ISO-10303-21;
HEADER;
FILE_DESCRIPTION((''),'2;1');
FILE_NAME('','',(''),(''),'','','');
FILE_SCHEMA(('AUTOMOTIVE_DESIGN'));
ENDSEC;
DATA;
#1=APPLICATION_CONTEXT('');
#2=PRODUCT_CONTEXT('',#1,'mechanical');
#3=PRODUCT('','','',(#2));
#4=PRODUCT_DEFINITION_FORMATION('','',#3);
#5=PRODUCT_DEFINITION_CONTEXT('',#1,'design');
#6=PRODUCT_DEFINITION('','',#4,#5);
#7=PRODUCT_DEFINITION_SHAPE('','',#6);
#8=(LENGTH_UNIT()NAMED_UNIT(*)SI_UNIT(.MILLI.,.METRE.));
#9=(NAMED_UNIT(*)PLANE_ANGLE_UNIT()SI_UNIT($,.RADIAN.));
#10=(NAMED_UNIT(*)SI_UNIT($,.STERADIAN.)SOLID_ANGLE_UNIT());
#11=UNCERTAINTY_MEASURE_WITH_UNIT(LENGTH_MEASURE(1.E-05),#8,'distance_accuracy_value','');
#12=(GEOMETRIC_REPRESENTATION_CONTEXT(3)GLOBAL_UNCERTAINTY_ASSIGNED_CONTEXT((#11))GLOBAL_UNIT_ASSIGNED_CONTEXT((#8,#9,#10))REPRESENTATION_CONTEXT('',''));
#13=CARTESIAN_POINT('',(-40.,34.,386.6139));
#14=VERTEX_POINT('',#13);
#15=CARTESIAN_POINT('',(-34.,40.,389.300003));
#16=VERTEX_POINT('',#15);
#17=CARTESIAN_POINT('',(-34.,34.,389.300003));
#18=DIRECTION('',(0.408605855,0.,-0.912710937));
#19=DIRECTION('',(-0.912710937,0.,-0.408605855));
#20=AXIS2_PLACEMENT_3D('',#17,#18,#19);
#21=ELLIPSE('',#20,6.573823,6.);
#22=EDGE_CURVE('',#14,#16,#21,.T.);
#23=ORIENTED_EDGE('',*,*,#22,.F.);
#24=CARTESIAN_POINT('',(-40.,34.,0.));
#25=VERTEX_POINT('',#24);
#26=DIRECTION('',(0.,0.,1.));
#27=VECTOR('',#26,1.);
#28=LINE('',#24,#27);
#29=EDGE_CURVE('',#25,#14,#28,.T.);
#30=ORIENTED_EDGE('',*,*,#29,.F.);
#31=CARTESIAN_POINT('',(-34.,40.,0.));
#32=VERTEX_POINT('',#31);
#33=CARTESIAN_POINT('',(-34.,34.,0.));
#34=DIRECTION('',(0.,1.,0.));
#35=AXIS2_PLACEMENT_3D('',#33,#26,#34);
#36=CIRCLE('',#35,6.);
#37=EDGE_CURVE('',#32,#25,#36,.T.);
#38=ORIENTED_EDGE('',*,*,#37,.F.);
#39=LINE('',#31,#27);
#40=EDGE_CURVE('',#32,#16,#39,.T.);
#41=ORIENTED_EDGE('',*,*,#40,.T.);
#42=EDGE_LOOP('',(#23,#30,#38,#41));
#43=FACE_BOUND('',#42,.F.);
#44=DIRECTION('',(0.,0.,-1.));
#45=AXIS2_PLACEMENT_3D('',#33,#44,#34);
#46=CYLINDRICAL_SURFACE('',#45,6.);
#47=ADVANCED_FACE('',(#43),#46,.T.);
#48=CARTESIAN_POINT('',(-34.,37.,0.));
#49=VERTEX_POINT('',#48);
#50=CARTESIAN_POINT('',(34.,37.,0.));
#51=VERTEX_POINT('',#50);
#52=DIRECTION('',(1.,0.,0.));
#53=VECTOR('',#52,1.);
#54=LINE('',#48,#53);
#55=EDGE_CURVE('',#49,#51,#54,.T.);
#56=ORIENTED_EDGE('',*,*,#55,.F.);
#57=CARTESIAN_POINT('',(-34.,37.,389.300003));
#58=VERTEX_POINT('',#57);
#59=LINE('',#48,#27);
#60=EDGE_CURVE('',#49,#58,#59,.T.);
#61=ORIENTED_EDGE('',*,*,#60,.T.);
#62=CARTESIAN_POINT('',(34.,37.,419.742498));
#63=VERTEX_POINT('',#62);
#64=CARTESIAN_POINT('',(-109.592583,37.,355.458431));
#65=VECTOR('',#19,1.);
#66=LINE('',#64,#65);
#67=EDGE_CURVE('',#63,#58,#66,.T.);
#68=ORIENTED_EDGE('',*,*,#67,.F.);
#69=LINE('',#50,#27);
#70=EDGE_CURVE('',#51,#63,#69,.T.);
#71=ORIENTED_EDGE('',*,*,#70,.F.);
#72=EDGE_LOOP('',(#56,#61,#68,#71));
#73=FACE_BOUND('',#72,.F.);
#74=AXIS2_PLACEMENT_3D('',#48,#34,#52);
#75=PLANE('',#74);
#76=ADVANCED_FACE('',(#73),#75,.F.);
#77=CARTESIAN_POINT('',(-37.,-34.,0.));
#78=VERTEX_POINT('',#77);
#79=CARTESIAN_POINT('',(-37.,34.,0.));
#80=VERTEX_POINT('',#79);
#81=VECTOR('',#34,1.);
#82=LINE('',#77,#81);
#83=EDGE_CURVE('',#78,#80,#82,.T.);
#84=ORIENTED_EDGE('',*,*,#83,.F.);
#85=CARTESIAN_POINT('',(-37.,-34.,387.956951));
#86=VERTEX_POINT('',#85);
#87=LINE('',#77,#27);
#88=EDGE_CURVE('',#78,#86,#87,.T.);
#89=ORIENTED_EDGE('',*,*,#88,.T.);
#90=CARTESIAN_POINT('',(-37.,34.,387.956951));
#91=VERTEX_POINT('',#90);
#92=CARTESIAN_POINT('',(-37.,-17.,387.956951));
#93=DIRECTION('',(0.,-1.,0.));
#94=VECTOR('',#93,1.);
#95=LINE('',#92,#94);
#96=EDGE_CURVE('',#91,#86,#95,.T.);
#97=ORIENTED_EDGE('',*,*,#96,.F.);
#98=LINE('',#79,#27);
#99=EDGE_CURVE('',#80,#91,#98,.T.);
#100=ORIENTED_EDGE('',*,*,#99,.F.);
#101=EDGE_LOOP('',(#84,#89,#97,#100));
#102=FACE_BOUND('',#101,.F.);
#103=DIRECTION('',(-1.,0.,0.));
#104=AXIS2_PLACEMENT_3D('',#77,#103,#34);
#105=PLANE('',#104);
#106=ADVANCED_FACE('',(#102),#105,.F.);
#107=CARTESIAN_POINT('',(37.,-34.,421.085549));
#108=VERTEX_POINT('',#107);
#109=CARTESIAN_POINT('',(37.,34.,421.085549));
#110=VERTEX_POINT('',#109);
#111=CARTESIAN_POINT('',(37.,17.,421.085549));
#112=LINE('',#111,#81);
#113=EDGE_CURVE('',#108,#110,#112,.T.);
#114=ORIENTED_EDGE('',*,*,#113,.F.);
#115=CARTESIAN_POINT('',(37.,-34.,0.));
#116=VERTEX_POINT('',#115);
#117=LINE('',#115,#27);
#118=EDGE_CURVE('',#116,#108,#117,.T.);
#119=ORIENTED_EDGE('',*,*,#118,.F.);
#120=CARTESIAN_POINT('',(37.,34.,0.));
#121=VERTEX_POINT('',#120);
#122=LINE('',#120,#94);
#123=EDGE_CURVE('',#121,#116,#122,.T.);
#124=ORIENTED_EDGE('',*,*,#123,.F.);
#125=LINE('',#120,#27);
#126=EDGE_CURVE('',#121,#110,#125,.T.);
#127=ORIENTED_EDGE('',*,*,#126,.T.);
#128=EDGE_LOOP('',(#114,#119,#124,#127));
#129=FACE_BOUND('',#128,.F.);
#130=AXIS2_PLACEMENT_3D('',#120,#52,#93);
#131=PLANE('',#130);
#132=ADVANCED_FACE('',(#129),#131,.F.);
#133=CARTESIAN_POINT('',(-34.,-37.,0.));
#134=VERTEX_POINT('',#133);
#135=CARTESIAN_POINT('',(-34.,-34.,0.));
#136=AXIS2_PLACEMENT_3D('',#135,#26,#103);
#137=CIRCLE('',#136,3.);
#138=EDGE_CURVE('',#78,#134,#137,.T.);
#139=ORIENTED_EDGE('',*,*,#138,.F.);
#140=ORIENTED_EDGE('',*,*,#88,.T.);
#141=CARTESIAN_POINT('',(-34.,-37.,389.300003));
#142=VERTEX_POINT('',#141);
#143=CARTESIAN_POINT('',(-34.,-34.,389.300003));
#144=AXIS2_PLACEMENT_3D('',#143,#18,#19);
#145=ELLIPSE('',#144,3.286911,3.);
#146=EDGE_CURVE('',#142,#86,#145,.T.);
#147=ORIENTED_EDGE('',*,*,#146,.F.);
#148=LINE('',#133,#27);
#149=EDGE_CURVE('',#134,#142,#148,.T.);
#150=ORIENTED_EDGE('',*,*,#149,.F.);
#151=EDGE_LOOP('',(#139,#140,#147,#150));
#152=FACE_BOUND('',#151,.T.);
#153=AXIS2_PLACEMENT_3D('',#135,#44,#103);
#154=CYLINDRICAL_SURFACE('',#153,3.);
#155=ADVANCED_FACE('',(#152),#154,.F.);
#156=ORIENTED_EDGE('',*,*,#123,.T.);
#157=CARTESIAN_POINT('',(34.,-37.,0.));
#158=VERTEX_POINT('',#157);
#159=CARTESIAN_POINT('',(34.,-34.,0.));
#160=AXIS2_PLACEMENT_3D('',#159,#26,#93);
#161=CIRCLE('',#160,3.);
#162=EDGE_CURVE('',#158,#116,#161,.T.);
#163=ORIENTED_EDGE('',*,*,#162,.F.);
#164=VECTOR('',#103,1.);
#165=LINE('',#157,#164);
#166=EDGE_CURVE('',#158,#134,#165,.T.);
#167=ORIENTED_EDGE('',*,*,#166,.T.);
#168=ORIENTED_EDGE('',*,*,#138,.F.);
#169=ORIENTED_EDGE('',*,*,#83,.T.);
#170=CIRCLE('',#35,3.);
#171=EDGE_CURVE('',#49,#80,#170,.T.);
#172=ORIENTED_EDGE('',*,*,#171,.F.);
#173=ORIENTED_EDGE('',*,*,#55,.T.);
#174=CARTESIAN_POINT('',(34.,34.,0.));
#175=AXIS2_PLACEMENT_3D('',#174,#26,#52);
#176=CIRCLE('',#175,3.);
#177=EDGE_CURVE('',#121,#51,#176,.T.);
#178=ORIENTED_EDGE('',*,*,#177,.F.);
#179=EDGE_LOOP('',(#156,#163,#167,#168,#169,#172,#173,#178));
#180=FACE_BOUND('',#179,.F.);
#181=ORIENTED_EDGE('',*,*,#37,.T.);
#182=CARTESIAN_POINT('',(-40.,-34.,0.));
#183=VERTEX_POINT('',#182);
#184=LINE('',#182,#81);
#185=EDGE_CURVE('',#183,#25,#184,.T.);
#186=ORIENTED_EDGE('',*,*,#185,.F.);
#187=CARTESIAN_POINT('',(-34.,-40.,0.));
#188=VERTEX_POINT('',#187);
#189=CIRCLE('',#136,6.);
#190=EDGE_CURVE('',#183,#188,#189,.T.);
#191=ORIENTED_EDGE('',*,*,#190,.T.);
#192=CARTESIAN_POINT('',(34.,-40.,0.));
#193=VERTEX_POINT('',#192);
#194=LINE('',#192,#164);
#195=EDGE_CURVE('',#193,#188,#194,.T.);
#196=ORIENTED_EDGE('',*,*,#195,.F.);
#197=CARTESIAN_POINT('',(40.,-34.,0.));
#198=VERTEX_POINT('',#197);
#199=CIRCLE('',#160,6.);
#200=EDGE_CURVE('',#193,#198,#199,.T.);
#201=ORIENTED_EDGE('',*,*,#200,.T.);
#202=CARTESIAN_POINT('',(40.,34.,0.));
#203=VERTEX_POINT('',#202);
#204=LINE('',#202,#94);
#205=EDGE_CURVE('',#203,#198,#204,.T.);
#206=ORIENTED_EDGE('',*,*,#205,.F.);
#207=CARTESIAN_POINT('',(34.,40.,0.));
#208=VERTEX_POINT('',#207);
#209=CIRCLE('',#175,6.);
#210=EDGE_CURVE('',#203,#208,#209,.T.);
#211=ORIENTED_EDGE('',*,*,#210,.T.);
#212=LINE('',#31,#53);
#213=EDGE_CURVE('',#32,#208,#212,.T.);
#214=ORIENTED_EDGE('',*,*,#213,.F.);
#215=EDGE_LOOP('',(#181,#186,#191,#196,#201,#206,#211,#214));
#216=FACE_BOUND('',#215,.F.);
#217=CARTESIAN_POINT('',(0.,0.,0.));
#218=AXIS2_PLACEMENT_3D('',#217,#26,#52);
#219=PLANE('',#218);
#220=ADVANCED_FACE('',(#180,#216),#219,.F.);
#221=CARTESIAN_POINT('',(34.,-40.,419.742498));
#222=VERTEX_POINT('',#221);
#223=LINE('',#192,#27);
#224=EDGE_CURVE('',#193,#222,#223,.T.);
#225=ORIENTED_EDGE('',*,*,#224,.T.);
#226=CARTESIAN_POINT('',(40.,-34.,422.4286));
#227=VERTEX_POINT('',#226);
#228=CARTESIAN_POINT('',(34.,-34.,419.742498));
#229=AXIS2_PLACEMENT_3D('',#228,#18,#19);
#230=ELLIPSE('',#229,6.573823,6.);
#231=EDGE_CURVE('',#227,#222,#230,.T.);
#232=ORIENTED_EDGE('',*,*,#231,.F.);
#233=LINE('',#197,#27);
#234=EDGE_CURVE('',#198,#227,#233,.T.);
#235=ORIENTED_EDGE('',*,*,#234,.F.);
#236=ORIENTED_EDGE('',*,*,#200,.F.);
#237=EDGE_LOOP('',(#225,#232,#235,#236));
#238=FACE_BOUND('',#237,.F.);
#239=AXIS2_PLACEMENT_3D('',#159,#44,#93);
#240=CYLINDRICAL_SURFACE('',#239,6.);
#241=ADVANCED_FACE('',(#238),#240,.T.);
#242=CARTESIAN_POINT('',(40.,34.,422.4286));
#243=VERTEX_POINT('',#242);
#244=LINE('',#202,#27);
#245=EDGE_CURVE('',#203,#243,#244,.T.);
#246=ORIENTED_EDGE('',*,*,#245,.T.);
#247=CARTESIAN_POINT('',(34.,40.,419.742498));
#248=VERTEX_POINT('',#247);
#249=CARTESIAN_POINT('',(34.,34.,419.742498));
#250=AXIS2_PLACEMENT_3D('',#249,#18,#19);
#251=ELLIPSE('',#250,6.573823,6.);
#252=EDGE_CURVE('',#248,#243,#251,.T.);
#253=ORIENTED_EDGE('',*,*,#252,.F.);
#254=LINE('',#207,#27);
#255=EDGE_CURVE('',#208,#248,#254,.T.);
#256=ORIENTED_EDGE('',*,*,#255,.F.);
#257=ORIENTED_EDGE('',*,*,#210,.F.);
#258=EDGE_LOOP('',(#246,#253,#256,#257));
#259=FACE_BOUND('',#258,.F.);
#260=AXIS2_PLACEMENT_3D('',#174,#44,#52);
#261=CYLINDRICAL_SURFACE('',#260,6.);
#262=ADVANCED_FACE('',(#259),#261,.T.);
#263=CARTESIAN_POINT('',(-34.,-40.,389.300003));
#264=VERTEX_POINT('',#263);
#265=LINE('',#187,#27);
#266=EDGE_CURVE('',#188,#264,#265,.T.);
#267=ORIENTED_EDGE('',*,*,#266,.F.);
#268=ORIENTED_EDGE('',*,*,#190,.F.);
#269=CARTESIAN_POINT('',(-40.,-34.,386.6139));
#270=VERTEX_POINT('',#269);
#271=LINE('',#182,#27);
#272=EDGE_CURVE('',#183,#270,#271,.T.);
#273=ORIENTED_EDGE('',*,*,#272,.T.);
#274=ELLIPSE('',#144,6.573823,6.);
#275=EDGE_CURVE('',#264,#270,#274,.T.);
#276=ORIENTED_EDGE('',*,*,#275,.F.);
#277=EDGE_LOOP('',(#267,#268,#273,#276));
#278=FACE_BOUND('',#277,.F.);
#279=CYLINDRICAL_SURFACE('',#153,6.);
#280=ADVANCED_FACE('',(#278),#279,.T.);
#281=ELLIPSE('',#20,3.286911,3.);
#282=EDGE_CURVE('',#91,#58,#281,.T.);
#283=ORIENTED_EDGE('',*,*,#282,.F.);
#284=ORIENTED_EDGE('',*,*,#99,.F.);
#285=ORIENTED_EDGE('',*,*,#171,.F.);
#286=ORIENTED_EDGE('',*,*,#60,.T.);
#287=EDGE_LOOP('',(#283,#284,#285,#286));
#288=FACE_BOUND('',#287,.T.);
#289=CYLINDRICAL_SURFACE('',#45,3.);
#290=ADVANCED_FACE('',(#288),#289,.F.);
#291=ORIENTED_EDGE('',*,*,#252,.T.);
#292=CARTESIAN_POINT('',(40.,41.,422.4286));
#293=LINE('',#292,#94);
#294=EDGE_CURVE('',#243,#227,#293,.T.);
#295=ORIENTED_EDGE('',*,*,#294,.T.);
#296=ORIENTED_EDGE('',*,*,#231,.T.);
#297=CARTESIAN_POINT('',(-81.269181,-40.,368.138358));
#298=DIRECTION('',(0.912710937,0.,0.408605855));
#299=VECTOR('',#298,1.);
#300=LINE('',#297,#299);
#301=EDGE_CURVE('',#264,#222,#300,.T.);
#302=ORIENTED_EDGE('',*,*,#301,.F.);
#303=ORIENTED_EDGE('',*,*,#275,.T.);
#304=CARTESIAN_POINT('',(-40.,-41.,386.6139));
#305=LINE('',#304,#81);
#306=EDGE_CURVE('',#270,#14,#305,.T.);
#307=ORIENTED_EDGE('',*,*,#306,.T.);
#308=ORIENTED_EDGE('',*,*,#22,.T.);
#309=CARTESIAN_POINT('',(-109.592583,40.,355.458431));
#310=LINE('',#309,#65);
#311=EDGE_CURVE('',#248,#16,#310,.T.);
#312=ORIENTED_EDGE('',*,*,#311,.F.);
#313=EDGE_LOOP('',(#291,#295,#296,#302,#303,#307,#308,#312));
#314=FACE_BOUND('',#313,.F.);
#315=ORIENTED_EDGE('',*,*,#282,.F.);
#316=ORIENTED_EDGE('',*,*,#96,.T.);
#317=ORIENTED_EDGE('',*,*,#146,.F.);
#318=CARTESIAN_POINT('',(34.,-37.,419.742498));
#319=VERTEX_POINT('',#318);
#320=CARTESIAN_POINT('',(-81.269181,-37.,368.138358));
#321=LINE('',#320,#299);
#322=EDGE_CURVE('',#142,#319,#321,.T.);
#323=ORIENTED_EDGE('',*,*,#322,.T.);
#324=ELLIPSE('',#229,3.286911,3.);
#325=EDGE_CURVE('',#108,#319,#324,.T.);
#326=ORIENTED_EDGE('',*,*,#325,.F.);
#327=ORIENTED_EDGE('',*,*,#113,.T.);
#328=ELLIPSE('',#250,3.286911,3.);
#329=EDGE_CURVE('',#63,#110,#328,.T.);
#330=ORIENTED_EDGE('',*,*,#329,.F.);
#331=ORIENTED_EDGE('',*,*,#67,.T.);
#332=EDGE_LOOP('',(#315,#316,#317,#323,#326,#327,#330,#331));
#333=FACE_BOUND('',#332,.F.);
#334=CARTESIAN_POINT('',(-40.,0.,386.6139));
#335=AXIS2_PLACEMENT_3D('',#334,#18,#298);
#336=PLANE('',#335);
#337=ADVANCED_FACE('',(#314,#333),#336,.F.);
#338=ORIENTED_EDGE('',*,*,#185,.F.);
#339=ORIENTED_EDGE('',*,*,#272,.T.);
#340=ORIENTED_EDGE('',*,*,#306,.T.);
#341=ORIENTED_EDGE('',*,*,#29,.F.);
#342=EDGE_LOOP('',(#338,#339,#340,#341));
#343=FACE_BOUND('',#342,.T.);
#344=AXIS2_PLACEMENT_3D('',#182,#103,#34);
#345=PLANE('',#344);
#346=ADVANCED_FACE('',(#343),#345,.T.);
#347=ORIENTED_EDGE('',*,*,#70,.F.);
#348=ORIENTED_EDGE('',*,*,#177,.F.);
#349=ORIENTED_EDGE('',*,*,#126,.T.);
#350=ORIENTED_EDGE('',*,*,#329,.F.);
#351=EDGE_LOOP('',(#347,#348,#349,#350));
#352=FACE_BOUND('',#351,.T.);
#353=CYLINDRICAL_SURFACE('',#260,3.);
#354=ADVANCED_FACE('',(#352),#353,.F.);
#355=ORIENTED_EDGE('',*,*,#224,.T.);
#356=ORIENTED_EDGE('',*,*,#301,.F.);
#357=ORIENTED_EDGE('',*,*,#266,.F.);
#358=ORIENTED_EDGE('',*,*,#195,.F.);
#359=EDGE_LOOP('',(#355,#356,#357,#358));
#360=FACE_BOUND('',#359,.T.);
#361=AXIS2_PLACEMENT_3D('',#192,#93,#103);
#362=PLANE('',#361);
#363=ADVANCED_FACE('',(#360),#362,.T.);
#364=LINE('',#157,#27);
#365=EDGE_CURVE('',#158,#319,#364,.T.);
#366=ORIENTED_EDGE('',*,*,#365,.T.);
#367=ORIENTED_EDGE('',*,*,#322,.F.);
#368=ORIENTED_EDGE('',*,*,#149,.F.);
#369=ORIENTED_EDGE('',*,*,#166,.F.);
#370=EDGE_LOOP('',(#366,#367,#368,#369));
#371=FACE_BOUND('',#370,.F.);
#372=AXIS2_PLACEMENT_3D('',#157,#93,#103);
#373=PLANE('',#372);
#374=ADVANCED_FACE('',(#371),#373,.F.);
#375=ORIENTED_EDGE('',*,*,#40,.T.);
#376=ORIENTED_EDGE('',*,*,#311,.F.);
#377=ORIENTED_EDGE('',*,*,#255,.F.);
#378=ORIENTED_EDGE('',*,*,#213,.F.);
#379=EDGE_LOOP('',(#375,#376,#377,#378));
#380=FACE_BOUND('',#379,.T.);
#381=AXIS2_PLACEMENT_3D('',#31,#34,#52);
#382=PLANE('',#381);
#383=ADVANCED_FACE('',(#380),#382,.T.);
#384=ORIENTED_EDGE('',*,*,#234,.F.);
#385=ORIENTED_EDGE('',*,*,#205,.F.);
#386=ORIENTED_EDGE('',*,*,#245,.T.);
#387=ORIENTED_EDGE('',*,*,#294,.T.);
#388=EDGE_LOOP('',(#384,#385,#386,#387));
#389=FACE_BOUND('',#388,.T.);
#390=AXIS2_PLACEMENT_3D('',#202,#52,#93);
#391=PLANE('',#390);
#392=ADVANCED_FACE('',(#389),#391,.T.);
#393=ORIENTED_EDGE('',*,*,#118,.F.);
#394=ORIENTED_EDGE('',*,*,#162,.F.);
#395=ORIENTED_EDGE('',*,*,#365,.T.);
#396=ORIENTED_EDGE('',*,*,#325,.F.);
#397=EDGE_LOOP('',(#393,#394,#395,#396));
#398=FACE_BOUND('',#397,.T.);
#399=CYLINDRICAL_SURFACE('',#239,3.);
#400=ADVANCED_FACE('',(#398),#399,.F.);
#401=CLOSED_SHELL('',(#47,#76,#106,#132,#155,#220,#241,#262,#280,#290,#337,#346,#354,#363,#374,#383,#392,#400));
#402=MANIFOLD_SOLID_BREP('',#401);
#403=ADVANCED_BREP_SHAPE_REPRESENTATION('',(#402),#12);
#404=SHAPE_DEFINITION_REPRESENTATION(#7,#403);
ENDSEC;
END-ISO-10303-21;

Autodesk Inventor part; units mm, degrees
ref_plane "YZ Plane" through (0, 0, 0) normal (1, 0, 0) x (0, 1, 0)
ref_plane "Start plane" through (0, 0, 0) normal (0, 0, 1) x (1, 0, 0)
ref_plane "End plane" through (0, 0, 1000) normal (0, 0, 1) x (1, 0, 0)
sketch "Sketch" plane through (0, 0, 0) normal (0, 0, 1) x (1, 0, 0)
  line L0 (-40, -34) -> (-40, 34)
  line L1 (-34, 40) -> (34, 40)
  line L2 (40, 34) -> (40, -34)
  line L3 (34, -40) -> (-34, -40)
  arc A0 (-40, -34) -> (-34, -40) centre (-34, -34) ccw
  arc A1 (40, 34) -> (34, 40) centre (34, 34) ccw
  arc A2 (-34, 40) -> (-40, 34) centre (-34, 34) ccw
  arc A3 (34, -40) -> (40, -34) centre (34, -34) ccw
  arc A4 (-34, 37) -> (-37, 34) centre (-34, 34) ccw
  line L4 (-34, 37) -> (34, 37)
  arc A5 (37, 34) -> (34, 37) centre (34, 34) ccw
  line L5 (37, 34) -> (37, -34)
  arc A6 (34, -37) -> (37, -34) centre (34, -34) ccw
  line L6 (34, -37) -> (-34, -37)
  arc A7 (-37, -34) -> (-34, -37) centre (-34, -34) ccw
  line L7 (-37, -34) -> (-37, 34)
  line L8 (0, 44.3196) -> (0, -44.3196) construction
  line L9 (-1340.2663, 0) -> (380.2663, 0) construction
  dimension "d7" = 6
  dimension "d9" = 80
  dimension "d11" = 80
  dimension "d12" = 3
  dimension "d15" = 40
  dimension "d16" = 40
extrude "Body" add sketch "Sketch" along normal up to surface (1000 mm away) from surface at 0
sketch "Sketch3" plane through (0, 0, 0) normal (0, 0, 1) x (1, 0, 0)
  line L0 (0, 0) -> (10, 0)
ref_plane "Work Plane3" through (0, 0, 0) normal (0, -1, 0) x (1, 0, 0)
sketch "Sketch5" plane through (0, 0, 0) normal (0, 1, 0) x (-1, 0, 0)
  line L0 (-40, 0) -> (-40, 1000) projected
  line L1 (40, 0) -> (40, 1000) projected
  line L2 (40, 0) -> (40, 1000) projected
  line L3 (40, 397.5702) -> (490, 397.5702) construction
  line L4 (-47.0166, 436.8676) -> (1027.0166, 436.8676) construction
  arc A0 (-47.0166, 436.8676) -> (490, 310) centre (490, 1510) ccw construction
  line L5 (-110, 538.8152) -> (1090, 538.8152) construction
  arc A1 (-110, 538.8152) -> (-47.0166, 436.8676) centre (4, 538.8152) ccw construction
  arc A2 (1027.0166, 436.8676) -> (1090, 538.8152) centre (976, 538.8152) ccw
  line L6 (-110, 538.8152) -> (-110, 578.8152)
  line L7 (1090, 538.8152) -> (1090, 578.8152)
  line L8 (-110, 578.8152) -> (490, 578.8152) construction
  line L9 (490, 578.8152) -> (490, 0)
  arc A3 (490, 310) -> (1027.0166, 436.8676) centre (490, 1510) ccw
  line L10 (490, 578.8152) -> (1090, 578.8152)
  point P0 (0, 0)
  dimension "d22" = 450
  dimension "d24" = 1200
  dimension "d25" = 114
  dimension "d26" = 40
  dimension "d27" = 1200
  dimension "d28" = 310
  dimension "d30" = 397.5702
sketch "Sketch6" plane through (0, 0, 0) normal (0, 1, 0) x (-1, 0, 0)
  line L0 (40, 0) -> (40, 1000) projected
  line L1 (40, 0) -> (40, 1000) projected
  line L2 (-40, 0) -> (-40, 1000) projected
  line L3 (-40, 0) -> (-40, 1000) projected
  line L4 (34, 1000) -> (40, 1000) projected
  line L5 (40, 1000) -> (-40, 1000)
  line L6 (-40, 433.3849) -> (40, 397.5702)
  arc A0 (-47.0166, 436.8676) -> (490, 310) centre (490, 1510) ccw construction
  line L7 (40, 386.6139) -> (-40, 422.4286)
  point P0 (0, 0)
  point P1 (40, 386.6139)
  dimension "d33" = 10
extrude "Extrusion2" cut sketch "Sketch6" along normal through all both and the other way through all
sketch "Sketch4" plane through (0, 0, 0) normal (0, -1, 0) x (1, 0, 0)
  line L0 (-1340.2663, 0) -> (380.2663, 0) projected
  line L1 (-1340.2663, 1000) -> (380.2663, 1000) projected
  dimension "d18" = 1000
equation "\"d7\" = G_IR"
equation "\"d9\" = G_W"
equation "\"d11\" = G_H"
equation "\"d12\" = G_T"
equation "\"d15\" = 0.5 * d9"
equation "\"d16\" = 0.5 * d11"
equation "\"d3\" = G_L"
equation "\"d24\" = d27"
equation "\"d25\" = 0.095 * d27"
equation "\"G_W\" = 80"
equation "\"G_H\" = 80"
equation "\"G_T\" = 3"
equation "\"G_IR\" = 6"
equation "\"G_L\" = d18"
equation "\"G_OFFSET_START\" = 0"
equation "\"G_OFFSET_END\" = 0"
properties part number "ANP 1781 Leg tube" material "Steel, Mild"
